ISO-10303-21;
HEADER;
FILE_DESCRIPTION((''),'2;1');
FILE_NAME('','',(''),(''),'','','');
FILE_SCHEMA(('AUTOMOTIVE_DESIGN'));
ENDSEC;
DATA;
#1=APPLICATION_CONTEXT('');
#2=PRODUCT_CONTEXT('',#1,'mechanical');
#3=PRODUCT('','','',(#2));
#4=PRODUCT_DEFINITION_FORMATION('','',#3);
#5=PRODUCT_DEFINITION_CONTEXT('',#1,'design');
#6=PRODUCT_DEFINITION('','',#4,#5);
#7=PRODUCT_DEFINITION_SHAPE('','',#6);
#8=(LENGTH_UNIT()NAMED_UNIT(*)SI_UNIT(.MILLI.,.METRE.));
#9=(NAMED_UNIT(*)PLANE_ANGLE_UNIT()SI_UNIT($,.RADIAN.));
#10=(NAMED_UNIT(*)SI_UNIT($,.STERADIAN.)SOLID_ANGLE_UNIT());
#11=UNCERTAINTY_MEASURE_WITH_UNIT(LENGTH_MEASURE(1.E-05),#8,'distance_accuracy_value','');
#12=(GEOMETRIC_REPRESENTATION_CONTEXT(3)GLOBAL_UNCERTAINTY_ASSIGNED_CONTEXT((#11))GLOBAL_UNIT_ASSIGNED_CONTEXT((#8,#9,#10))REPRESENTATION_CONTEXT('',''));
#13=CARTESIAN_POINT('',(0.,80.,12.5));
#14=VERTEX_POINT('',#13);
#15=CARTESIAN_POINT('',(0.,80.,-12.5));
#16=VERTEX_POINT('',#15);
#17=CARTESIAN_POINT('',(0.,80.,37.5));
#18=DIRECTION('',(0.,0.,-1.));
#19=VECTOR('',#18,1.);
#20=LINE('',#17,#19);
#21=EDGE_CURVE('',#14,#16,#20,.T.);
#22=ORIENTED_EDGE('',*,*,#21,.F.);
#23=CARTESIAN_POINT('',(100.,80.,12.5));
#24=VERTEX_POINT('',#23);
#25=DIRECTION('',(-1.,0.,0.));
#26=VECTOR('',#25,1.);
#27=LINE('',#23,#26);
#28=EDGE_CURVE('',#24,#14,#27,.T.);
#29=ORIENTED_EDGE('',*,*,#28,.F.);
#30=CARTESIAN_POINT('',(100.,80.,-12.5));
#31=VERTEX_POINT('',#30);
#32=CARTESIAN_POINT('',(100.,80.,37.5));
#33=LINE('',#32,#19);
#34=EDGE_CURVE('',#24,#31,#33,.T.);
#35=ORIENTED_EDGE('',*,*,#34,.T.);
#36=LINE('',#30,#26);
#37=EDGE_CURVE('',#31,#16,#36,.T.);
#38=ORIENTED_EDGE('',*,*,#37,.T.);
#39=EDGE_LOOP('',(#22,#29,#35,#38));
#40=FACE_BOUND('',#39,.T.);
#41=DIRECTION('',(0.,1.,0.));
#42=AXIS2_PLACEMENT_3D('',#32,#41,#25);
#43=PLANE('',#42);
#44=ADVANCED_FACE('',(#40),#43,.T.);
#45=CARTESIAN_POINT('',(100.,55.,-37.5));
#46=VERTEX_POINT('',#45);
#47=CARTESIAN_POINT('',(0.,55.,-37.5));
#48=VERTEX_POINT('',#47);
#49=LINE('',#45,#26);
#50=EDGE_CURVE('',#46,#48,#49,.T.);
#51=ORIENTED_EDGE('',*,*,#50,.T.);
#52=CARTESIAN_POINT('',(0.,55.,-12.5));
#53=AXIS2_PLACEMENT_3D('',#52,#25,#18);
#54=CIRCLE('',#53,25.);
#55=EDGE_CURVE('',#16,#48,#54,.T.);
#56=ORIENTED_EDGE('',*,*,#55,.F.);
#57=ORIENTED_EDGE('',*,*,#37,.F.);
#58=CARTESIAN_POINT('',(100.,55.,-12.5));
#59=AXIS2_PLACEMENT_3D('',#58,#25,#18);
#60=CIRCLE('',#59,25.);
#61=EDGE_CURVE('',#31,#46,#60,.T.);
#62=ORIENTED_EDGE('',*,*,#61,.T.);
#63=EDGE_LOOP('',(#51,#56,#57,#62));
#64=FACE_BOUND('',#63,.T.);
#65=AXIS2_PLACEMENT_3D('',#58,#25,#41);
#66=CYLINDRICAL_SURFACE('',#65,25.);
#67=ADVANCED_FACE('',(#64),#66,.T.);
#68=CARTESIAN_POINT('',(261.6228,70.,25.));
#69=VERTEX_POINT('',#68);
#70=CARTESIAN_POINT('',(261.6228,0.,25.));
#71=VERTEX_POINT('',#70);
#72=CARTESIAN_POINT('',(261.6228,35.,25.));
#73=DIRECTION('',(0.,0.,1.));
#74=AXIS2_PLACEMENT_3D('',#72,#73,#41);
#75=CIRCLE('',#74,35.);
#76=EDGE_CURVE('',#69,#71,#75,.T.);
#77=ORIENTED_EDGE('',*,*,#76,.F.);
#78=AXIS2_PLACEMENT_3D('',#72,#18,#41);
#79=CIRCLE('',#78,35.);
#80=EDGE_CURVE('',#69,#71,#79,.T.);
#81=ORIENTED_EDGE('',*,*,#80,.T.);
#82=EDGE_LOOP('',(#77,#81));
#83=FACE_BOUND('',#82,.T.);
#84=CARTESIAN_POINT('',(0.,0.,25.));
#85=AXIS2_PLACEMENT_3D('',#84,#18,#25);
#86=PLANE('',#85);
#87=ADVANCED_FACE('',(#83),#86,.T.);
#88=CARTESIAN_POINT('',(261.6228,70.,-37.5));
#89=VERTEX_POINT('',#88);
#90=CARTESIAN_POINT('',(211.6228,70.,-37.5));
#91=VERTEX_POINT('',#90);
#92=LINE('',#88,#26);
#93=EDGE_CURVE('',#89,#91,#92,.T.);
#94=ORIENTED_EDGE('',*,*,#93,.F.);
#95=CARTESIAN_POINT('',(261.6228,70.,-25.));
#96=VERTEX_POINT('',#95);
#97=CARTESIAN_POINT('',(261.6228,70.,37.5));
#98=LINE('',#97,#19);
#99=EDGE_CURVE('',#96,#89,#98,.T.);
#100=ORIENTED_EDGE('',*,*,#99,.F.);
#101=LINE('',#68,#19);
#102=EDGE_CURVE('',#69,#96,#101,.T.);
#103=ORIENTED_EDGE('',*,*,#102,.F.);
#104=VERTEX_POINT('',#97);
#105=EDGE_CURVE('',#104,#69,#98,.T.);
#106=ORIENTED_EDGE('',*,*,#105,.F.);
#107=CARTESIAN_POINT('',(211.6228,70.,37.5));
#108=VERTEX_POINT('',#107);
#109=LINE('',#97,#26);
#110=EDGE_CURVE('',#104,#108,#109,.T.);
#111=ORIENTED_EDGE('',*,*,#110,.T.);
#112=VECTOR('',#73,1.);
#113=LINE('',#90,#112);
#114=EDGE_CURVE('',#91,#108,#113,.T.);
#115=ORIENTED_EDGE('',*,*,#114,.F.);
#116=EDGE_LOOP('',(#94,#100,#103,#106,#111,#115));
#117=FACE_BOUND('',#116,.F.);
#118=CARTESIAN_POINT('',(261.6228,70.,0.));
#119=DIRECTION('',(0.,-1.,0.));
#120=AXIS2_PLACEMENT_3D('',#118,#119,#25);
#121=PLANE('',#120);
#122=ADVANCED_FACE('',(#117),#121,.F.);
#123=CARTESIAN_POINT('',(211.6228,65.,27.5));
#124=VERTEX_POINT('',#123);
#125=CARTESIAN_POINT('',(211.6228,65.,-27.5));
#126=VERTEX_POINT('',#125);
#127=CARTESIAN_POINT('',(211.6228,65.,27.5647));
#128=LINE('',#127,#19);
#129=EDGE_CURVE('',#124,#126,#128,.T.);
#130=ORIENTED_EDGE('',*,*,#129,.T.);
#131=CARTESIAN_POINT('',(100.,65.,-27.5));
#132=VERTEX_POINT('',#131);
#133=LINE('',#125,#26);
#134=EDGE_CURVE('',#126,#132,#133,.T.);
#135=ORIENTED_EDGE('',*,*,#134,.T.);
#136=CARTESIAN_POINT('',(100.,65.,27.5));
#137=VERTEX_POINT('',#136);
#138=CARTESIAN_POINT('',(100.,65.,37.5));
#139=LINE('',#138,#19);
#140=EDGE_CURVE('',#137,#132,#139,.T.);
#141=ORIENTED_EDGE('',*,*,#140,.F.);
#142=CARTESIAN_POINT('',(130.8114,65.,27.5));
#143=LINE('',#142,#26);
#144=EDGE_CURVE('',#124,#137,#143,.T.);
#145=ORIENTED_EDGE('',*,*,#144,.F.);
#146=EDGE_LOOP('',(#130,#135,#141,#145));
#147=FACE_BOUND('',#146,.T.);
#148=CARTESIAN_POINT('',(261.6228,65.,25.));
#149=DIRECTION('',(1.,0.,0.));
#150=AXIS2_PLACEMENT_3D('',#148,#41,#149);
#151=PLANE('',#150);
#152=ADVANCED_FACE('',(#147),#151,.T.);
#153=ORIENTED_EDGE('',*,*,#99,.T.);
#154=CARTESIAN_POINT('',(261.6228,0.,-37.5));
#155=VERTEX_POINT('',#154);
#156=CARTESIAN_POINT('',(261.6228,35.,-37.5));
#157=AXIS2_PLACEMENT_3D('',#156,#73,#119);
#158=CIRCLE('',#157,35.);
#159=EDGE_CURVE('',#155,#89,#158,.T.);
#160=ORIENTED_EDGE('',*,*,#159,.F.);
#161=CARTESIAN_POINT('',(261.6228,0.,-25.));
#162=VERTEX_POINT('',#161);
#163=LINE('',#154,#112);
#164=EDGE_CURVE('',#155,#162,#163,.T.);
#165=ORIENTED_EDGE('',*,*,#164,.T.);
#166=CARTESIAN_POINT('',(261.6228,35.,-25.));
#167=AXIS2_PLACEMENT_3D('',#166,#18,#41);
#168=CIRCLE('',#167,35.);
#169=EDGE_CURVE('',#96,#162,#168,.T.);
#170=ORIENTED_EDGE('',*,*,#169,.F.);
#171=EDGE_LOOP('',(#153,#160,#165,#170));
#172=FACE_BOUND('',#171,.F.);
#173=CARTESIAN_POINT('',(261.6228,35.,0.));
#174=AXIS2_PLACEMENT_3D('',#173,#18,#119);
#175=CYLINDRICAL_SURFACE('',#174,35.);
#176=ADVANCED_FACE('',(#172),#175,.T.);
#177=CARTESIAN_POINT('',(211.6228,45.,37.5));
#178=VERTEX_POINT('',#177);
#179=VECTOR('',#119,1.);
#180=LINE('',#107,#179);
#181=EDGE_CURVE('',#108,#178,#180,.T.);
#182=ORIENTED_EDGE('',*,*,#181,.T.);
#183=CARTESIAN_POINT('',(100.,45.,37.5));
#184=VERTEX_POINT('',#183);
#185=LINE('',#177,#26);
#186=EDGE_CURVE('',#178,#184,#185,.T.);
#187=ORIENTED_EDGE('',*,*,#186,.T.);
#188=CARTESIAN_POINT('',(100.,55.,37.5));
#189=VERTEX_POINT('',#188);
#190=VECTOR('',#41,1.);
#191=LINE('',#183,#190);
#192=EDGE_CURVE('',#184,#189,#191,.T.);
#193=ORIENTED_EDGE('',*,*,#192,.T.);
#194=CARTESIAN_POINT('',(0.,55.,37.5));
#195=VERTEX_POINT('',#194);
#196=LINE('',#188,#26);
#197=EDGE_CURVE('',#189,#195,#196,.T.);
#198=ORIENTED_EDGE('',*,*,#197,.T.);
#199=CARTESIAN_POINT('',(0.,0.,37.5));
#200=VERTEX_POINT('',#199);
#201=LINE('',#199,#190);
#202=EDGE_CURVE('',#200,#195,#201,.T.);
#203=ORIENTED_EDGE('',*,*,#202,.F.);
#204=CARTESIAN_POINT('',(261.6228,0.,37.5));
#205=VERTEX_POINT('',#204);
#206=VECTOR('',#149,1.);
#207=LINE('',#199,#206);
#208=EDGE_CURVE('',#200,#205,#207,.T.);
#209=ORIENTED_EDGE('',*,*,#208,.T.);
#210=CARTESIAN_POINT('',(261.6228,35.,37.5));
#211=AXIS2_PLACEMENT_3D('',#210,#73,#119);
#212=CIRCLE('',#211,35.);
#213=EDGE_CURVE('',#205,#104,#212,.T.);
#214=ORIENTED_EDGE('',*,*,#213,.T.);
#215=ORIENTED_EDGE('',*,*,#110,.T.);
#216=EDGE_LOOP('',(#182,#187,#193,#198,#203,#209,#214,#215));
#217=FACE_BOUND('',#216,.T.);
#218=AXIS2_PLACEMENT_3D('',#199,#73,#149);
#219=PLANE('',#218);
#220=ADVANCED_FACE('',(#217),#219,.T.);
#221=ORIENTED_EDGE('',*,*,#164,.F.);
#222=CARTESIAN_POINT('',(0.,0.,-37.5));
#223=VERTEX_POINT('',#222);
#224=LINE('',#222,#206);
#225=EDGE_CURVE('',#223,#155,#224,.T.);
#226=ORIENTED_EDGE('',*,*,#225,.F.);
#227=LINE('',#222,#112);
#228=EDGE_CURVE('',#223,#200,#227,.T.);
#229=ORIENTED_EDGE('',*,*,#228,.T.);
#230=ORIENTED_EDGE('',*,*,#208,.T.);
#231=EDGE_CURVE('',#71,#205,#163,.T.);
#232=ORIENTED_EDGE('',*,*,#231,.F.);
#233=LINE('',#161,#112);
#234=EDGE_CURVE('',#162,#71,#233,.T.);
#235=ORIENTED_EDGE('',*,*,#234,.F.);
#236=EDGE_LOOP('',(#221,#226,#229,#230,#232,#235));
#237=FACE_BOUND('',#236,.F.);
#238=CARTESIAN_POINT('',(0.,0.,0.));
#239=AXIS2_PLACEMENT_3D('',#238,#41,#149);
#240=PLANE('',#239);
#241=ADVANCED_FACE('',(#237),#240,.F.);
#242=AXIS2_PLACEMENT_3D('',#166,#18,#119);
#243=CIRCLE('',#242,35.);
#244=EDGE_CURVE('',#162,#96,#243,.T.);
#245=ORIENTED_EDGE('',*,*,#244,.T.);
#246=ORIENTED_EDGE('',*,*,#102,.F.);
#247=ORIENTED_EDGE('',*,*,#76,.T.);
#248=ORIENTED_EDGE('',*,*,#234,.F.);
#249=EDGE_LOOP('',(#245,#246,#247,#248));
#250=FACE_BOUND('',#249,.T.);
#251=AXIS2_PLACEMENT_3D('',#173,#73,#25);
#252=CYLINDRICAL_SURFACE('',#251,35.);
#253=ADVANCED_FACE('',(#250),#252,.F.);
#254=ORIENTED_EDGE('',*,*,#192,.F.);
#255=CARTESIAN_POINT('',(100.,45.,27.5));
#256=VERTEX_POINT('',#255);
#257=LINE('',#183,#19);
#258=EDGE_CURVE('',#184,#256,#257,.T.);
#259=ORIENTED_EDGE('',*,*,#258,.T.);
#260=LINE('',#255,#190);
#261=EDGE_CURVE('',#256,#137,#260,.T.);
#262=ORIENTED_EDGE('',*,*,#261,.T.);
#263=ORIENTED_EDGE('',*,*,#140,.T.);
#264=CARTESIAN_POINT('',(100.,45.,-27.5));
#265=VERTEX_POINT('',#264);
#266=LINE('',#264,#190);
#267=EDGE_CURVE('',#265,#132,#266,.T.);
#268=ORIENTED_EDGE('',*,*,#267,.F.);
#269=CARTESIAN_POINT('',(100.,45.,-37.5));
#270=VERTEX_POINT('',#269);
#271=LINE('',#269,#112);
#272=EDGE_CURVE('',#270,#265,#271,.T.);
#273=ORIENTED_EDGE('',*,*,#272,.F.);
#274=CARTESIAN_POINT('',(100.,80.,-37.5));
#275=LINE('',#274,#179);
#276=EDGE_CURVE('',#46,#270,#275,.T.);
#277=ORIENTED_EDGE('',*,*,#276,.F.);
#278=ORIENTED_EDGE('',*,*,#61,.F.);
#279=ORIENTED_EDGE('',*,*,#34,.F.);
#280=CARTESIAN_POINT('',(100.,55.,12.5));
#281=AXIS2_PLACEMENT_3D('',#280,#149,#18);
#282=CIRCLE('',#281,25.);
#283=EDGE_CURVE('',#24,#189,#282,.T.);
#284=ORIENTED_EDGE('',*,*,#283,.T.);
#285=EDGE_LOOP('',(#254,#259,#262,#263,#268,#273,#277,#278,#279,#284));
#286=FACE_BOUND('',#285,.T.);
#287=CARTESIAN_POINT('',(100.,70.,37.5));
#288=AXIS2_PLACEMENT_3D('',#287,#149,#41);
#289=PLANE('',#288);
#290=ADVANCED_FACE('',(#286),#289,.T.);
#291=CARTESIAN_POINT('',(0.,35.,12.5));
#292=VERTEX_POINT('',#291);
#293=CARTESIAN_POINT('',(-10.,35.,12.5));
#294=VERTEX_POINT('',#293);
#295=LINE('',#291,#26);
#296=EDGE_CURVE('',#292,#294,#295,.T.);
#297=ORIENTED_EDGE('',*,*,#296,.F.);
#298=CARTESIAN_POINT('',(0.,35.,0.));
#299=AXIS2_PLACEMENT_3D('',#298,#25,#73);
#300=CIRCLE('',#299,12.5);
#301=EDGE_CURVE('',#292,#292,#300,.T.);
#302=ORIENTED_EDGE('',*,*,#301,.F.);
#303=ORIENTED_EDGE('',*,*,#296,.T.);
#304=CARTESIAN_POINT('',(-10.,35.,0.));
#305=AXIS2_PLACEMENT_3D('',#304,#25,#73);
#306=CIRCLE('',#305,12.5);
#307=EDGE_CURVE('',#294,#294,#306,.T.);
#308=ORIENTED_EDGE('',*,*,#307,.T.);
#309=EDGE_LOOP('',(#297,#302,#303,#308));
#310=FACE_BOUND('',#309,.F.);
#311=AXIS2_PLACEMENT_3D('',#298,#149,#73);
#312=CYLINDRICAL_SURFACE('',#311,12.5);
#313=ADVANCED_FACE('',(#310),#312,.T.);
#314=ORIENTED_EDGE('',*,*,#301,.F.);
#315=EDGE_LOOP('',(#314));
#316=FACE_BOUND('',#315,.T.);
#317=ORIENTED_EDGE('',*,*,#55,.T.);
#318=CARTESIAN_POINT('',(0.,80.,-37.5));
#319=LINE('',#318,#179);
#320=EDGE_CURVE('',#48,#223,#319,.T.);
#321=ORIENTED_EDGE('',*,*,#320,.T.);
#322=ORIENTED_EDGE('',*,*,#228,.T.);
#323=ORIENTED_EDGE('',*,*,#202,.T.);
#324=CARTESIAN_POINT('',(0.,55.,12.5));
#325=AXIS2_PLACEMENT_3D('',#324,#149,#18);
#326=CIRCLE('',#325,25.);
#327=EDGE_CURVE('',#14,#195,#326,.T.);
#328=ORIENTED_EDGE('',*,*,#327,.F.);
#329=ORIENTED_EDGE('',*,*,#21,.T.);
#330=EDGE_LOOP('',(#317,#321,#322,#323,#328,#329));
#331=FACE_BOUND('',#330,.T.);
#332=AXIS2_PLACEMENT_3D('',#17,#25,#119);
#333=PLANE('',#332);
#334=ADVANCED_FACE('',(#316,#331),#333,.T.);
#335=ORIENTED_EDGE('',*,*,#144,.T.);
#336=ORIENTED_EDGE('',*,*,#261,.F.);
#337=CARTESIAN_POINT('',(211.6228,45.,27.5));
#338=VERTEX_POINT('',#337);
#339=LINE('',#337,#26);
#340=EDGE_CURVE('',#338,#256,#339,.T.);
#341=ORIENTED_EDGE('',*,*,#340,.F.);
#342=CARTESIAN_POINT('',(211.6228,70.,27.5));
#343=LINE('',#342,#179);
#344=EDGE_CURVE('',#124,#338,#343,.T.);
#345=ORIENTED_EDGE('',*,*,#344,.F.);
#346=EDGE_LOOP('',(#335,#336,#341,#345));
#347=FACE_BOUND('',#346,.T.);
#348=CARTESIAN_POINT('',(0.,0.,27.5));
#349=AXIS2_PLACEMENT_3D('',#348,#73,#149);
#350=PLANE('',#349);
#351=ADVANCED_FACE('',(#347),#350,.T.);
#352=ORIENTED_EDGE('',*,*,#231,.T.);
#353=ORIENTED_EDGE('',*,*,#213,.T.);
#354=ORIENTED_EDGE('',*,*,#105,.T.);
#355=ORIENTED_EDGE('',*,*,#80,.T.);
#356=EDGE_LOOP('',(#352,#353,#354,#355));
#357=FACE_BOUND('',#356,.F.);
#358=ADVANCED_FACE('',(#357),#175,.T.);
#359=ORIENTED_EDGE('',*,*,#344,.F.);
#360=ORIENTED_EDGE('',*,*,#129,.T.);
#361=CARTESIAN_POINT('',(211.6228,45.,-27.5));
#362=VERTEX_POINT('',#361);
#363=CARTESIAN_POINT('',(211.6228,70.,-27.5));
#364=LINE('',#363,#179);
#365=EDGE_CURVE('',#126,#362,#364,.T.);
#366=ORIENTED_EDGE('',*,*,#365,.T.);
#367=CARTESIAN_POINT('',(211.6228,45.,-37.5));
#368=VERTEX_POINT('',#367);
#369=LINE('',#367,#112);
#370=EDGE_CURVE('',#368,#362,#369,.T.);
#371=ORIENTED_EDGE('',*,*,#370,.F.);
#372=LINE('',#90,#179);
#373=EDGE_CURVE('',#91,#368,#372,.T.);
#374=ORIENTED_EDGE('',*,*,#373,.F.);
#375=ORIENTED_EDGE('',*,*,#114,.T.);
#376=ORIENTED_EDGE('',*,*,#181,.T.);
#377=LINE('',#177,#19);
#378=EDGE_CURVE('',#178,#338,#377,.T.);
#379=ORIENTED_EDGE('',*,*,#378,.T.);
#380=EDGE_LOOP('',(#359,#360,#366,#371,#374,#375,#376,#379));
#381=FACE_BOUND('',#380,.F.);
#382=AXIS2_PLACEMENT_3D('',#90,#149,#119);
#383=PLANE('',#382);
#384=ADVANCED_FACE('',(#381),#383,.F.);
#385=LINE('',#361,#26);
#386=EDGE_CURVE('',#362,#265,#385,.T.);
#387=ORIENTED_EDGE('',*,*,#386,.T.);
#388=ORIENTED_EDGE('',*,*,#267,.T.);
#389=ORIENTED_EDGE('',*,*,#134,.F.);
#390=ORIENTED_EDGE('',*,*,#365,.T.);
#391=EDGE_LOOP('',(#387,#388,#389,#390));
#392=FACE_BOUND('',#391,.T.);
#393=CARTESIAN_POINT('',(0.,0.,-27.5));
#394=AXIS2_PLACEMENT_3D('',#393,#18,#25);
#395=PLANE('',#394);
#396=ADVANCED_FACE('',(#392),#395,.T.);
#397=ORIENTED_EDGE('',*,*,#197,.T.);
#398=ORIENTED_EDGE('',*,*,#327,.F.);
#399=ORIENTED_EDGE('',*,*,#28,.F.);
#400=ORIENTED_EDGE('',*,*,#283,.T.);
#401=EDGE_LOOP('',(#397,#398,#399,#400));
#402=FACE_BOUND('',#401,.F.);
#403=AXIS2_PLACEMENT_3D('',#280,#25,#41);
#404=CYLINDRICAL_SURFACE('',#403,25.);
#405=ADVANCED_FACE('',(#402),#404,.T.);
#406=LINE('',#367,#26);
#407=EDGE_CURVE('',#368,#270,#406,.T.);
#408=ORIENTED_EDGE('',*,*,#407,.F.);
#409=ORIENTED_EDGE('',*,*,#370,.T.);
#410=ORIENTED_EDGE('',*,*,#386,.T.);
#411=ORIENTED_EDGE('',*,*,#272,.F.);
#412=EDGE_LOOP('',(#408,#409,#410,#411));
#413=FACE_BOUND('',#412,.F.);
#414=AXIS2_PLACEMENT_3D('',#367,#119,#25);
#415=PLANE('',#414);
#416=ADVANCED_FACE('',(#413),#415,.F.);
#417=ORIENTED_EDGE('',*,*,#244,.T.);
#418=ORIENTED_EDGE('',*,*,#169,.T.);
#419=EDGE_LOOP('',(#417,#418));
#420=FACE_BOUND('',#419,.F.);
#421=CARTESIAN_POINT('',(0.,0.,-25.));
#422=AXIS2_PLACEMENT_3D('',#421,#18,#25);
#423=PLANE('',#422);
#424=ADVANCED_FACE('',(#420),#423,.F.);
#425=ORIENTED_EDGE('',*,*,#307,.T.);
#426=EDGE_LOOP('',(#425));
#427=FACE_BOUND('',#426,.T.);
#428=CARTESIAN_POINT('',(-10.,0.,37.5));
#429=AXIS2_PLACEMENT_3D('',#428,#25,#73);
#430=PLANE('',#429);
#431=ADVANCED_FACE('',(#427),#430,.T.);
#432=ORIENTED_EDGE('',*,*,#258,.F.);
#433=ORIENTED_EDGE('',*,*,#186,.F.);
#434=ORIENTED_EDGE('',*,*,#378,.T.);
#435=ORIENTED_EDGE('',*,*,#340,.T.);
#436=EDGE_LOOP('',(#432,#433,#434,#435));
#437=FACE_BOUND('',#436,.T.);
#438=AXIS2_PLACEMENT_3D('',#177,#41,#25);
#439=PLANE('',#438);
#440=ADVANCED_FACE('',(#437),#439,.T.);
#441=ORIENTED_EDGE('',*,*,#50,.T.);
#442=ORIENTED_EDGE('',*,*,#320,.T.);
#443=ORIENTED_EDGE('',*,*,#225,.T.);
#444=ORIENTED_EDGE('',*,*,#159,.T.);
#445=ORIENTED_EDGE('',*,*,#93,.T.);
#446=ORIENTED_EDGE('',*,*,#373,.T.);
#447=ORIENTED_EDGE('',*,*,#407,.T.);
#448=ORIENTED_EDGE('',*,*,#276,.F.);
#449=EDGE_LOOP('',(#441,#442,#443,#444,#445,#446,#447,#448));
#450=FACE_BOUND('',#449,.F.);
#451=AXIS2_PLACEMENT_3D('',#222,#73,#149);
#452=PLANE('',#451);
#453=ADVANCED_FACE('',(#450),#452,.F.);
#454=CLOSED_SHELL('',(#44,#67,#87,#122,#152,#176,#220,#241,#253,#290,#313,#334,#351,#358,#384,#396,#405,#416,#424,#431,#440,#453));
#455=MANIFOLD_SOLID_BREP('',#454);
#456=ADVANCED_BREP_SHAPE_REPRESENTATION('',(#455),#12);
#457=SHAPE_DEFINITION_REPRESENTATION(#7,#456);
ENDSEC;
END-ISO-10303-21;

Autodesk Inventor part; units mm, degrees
ref_plane "YZ Plane" through (0, 0, 0) normal (1, 0, 0) x (0, 1, 0)
ref_plane "XZ Plane" through (0, 0, 0) normal (0, 1, 0) x (-1, 0, 0)
sketch "Sketch1" plane through (0, 0, 0) normal (0, 0, 1) x (1, 0, 0)
  line L0 (0, 0) -> (0, 37.8188) construction
  line L1 (0, 0) -> (95.7615, 0) construction
  line L2 (0, 0) -> (261.6228, 0)
  line L3 (0, 0) -> (0, 70)
  arc A0 (261.6228, 0) -> (261.6228, 70) centre (261.6228, 35) ccw
  line L4 (261.6228, 70) -> (0, 70)
  dimension "d10" = 35
extrude "Extrusion1" add sketch "Sketch1" along normal mid plane 75
sketch "Sketch2" plane through (0, 0, 37.5) normal (-1, 0, 0) x (0, 0, 1)
  circle A0 centre (-37.5, 35) radius 12.5
  line L0 (0, 70) -> (0, 0) projected
  line L1 (0, 0) -> (-75, 0) projected
  point P0 (-37.5, 0)
  point P1 (-37.5, 0)
  dimension "d12" = 25
  dimension "d13" = 35
extrude "Extrusion2" add sketch "Sketch2" along normal blind 10
ref_plane "Work Plane1" through (0, 0, 0) normal (0, 0, -1) x (-1, 0, 0)
sketch "Sketch3" plane through (0, 0, 0) normal (0, 0, -1) x (-1, 0, 0)
  circle A0 centre (-261.6228, 35) radius 35
  arc A1 (-261.6228, 70) -> (-261.6228, 0) centre (-261.6228, 35) ccw projected
  point P0 (0, 0)
  dimension "d18" = 70
extrude "Extrusion3" cut sketch "Sketch3" along normal mid plane 50
sketch "Sketch4" plane through (0, 0, 37.5) normal (0, 0, 1) x (1, 0, 0)
  line L0 (0, 70) -> (0, 0) projected
  line L1 (0, 70) -> (100, 70)
  line L2 (100, 70) -> (100, 80)
  line L3 (100, 80) -> (0, 80)
  line L4 (0, 80) -> (0, 70)
  dimension "d21" = 100
  dimension "d22" = 10
extrude "Extrusion4" add sketch "Sketch4" against normal blind 75
sketch "Sketch5" plane through (0, 0, 37.5) normal (0, 0, 1) x (1, 0, 0)
  line L0 (261.6228, 70) -> (100, 70) projected
  line L1 (100, 70) -> (211.6228, 70)
  line L2 (211.6228, 70) -> (211.6228, 45)
  line L3 (211.6228, 45) -> (100, 45)
  line L4 (100, 45) -> (100, 70)
  point P0 (0, 0)
  dimension "d25" = 25
  dimension "d28" = 50
extrude "Extrusion5" cut sketch "Sketch5" against normal blind 10
sketch "Sketch6" plane through (0, 0, -37.5) normal (0, 0, -1) x (-1, 0, 0)
  line L0 (-100, 70) -> (-261.6228, 70) projected
  line L1 (-211.6228, 45) -> (-100, 45) projected
  line L2 (-100, 70) -> (-211.6228, 70)
  line L3 (-211.6228, 70) -> (-211.6228, 45)
  line L4 (-211.6228, 45) -> (-100, 45)
  line L5 (-100, 45) -> (-100, 70)
  point P0 (0, 0)
extrude "Extrusion6" cut sketch "Sketch6" against normal blind 10
sketch "Sketch7" plane through (261.6228, 70, 25) normal (0, 1, 0) x (1, 0, 0)
  line L0 (-161.6228, -12.5) -> (-161.6228, 62.5) projected
  line L1 (-50, 52.5) -> (-161.6228, 52.5) projected
  line L2 (-161.6228, -2.5647) -> (-50, -2.5647)
  line L3 (-50, -2.5647) -> (-50, 52.5)
  line L4 (-50, 52.5) -> (-161.6228, 52.5)
  line L5 (-161.6228, 52.5) -> (-161.6228, -2.5647)
  point P0 (-261.6228, 25)
extrude "Extrusion7" cut sketch "Sketch7" against normal blind 5
fillet "Fillet1" radius 25 2 edges at (50, 80, 37.5) (50, 80, -37.5)
properties material "ABS Plastic"
